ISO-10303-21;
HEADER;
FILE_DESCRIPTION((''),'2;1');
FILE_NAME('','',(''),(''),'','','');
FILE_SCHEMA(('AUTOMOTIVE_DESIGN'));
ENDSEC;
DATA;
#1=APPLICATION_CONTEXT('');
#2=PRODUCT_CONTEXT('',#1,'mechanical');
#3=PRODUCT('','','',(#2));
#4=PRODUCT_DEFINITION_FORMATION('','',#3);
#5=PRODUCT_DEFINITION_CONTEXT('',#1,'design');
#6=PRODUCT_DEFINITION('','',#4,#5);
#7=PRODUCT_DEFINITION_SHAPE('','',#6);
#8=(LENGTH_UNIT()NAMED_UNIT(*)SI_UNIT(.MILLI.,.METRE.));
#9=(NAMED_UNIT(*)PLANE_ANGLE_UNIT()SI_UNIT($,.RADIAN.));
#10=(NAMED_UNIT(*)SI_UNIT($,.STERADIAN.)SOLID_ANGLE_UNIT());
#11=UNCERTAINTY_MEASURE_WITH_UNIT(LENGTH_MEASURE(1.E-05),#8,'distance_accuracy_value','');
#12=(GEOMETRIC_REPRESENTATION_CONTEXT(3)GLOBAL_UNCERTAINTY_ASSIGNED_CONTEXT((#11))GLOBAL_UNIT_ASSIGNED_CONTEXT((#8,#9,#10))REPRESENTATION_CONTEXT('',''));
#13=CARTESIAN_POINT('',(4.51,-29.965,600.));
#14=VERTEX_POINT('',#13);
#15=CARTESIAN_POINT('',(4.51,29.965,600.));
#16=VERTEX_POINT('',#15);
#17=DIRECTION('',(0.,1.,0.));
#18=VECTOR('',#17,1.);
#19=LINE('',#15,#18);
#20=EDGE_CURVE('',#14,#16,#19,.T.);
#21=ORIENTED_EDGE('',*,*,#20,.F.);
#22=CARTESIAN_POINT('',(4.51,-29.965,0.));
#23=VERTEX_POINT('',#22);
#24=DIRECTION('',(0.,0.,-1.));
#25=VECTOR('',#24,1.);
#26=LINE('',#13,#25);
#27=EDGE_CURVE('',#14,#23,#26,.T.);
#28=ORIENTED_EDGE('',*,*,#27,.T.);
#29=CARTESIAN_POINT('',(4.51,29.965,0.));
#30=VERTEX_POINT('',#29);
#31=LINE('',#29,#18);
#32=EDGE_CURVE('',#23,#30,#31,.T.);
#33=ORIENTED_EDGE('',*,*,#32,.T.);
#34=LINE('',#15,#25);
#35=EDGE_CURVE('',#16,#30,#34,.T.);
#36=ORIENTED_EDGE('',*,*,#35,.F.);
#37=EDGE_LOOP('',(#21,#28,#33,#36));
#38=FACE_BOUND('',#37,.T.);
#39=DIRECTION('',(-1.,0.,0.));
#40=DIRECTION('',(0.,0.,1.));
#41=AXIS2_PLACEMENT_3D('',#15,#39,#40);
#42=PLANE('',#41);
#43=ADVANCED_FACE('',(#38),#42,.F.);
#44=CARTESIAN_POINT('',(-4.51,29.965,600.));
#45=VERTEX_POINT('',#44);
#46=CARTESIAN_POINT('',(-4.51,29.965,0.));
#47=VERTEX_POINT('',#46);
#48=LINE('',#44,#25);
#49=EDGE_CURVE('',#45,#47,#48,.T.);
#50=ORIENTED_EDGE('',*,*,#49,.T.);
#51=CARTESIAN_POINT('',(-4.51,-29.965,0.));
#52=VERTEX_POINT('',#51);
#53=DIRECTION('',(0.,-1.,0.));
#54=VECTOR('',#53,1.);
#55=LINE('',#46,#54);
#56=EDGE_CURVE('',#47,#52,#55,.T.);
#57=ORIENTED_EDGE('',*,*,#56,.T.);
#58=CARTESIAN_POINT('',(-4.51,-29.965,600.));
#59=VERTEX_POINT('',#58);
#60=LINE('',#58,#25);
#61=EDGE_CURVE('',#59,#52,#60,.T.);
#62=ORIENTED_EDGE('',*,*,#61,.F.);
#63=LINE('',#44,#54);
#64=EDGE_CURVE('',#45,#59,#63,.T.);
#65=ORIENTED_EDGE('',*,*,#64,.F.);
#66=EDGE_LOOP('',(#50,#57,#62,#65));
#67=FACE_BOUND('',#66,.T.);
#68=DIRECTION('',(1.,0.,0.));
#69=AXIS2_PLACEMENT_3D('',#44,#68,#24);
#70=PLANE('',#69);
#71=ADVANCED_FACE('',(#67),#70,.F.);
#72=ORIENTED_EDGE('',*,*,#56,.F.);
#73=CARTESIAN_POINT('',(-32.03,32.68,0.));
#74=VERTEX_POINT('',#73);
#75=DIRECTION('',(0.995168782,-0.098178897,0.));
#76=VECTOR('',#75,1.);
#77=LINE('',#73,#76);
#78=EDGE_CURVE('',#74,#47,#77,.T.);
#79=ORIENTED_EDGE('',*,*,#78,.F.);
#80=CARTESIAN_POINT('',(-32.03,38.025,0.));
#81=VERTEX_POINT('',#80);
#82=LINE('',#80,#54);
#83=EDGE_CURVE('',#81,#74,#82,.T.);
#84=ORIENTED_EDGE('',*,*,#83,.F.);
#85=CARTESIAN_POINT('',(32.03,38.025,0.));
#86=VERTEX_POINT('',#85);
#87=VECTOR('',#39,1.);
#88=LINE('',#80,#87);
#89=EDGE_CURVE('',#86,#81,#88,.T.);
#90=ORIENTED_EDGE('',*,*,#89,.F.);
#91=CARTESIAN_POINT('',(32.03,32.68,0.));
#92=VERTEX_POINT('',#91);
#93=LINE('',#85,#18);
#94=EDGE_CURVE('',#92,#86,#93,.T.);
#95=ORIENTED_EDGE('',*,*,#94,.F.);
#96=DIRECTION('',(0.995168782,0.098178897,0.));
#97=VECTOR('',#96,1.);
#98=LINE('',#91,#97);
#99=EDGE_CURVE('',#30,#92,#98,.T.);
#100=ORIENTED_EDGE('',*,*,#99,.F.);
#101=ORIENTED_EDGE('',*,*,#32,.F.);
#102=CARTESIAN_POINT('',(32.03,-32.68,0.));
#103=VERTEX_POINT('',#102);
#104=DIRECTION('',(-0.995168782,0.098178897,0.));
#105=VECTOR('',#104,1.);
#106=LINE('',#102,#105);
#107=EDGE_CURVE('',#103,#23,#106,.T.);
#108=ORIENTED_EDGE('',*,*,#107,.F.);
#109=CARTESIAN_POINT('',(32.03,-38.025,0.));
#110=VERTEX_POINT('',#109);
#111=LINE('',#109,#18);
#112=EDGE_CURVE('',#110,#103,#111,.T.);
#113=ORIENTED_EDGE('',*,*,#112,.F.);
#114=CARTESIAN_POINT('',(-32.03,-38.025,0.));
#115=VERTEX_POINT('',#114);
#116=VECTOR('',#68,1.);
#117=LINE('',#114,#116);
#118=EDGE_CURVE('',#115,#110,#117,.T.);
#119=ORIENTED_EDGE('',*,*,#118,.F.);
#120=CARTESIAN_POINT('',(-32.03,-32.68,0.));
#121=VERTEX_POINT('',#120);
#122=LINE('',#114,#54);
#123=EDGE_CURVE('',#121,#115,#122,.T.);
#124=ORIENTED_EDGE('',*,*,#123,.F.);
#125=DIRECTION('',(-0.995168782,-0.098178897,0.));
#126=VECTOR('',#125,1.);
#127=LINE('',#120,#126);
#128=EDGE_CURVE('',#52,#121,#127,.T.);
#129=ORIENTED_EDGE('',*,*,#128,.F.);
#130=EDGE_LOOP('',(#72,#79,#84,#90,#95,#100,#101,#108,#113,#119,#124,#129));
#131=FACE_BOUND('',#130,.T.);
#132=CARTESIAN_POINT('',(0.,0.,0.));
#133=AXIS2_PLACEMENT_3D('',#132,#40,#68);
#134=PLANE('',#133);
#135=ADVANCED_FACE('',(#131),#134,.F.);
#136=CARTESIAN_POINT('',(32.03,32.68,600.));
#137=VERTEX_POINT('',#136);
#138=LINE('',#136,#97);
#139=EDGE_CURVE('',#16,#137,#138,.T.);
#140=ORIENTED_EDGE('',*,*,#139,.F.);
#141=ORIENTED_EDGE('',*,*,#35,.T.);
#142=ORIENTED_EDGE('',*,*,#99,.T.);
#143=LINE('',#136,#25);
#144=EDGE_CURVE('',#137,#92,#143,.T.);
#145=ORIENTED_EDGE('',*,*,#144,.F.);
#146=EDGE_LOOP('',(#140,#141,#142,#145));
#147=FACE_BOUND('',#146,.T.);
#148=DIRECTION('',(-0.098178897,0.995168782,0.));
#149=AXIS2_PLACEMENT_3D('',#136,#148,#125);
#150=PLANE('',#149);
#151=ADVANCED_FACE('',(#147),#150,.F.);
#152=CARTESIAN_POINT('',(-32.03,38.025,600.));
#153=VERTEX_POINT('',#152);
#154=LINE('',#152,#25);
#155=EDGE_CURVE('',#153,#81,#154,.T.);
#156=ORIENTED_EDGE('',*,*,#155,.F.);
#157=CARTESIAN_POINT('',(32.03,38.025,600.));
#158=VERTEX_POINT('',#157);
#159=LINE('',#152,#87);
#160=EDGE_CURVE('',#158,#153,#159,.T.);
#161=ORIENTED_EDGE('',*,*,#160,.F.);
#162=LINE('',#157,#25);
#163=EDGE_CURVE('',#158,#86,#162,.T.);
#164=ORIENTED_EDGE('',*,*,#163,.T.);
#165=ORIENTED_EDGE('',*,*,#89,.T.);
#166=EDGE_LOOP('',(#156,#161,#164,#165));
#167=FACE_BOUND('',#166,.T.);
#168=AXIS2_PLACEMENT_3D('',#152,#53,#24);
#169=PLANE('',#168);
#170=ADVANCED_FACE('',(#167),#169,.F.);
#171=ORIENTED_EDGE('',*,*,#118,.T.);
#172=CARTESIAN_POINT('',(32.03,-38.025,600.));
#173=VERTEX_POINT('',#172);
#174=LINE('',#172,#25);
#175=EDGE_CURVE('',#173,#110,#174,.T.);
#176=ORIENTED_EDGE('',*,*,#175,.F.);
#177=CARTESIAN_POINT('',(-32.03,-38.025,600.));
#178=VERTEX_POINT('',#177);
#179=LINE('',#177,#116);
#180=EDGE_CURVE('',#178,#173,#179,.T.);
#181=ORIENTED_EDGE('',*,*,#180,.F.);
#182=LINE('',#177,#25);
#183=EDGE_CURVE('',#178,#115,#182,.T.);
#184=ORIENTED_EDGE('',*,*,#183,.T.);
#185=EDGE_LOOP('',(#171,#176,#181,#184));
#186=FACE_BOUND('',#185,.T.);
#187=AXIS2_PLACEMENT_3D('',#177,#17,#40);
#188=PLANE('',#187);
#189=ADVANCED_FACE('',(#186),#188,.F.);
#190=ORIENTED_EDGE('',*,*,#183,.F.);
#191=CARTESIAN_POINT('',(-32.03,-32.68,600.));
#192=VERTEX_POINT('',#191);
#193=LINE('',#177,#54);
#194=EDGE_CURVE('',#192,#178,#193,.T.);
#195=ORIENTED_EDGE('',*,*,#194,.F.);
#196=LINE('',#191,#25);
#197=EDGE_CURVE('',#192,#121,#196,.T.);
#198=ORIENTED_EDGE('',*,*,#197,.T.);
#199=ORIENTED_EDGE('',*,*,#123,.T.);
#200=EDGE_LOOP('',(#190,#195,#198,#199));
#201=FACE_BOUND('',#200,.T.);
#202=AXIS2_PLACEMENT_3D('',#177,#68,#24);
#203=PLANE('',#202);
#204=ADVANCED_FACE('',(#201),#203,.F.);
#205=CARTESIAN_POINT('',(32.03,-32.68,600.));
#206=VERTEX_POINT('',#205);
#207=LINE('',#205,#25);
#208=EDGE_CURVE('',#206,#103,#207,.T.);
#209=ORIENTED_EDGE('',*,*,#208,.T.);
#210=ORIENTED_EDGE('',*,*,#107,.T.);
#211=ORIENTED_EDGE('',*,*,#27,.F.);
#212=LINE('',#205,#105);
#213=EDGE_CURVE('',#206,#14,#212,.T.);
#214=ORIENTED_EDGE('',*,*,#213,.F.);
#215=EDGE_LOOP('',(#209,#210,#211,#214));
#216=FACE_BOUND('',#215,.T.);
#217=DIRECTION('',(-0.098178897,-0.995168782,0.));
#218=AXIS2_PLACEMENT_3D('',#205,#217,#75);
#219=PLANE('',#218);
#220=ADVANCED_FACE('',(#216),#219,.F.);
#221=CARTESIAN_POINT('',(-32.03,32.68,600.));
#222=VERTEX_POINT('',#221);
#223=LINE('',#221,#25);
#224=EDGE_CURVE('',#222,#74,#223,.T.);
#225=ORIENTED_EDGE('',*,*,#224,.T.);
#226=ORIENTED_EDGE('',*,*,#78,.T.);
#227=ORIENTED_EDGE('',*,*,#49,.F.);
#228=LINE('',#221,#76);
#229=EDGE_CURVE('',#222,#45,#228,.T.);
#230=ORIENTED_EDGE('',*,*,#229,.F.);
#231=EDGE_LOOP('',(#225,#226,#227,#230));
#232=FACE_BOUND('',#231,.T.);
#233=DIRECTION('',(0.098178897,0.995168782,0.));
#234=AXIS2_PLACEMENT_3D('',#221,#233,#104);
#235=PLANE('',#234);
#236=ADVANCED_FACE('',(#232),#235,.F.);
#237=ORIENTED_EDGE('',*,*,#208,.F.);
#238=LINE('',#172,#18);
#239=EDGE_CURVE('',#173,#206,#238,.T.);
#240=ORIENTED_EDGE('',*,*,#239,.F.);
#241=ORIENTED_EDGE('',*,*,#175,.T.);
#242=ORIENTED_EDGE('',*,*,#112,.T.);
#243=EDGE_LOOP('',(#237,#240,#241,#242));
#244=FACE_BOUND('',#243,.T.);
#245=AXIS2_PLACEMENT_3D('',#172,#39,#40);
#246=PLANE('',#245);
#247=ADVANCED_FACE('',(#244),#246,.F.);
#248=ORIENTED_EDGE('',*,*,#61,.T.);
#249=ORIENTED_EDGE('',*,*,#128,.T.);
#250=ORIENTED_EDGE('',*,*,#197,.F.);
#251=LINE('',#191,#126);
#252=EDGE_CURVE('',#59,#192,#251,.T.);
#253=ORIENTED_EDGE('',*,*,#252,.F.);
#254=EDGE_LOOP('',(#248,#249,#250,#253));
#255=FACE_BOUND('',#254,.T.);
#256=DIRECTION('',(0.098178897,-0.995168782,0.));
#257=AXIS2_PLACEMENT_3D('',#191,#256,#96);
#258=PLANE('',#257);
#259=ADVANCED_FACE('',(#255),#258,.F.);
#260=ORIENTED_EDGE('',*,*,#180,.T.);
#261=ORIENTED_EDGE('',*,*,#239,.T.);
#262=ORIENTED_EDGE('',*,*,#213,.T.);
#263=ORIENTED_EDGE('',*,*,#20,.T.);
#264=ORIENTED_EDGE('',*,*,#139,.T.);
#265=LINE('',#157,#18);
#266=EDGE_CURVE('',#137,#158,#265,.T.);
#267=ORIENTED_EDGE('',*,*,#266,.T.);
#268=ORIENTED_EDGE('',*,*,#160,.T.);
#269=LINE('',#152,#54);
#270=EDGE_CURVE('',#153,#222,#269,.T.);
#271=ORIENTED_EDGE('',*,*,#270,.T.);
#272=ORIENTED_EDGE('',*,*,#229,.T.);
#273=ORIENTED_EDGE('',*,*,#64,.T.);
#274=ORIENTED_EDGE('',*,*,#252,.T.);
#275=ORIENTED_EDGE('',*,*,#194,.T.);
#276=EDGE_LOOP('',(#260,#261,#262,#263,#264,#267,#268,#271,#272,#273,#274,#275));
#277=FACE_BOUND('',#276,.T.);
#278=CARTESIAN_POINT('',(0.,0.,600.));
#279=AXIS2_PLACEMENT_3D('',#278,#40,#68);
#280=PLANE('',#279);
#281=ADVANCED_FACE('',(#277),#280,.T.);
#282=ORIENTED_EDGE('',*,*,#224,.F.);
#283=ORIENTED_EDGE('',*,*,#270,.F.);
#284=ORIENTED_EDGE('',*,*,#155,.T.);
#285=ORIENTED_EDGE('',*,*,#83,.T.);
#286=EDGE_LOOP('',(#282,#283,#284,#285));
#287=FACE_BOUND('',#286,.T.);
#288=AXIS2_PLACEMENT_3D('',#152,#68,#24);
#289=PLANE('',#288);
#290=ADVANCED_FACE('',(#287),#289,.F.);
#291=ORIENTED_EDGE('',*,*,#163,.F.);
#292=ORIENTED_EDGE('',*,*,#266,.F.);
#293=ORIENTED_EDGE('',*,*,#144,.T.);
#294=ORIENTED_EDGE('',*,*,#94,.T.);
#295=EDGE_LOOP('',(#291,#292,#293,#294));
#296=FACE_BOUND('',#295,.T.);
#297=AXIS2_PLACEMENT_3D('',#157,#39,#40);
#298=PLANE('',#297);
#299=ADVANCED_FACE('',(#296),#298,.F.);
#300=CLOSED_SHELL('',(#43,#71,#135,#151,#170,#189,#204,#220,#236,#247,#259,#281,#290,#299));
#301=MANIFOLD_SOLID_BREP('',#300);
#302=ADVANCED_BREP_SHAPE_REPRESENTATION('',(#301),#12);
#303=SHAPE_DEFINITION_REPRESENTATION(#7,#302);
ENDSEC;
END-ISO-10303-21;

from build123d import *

# Parameters (mm, degrees)
BOSS_EXTRUDE1_DEPTH = 600


with BuildPart() as part:
    # Sketch1 → Boss-Extrude1 (new body)
    with BuildSketch(Plane.XY):
        Polygon((-32.03, 38.025), (32.03, 38.025), (32.03, 32.68), (4.51, 29.965), (4.51, -29.965), (32.03, -32.68), (32.03, -38.025), (-32.03, -38.025), (-32.03, -32.68), (-4.51, -29.965), (-4.51, 29.965), (-32.03, 32.68), align=None)
    extrude(amount=BOSS_EXTRUDE1_DEPTH)


solid = part.part
